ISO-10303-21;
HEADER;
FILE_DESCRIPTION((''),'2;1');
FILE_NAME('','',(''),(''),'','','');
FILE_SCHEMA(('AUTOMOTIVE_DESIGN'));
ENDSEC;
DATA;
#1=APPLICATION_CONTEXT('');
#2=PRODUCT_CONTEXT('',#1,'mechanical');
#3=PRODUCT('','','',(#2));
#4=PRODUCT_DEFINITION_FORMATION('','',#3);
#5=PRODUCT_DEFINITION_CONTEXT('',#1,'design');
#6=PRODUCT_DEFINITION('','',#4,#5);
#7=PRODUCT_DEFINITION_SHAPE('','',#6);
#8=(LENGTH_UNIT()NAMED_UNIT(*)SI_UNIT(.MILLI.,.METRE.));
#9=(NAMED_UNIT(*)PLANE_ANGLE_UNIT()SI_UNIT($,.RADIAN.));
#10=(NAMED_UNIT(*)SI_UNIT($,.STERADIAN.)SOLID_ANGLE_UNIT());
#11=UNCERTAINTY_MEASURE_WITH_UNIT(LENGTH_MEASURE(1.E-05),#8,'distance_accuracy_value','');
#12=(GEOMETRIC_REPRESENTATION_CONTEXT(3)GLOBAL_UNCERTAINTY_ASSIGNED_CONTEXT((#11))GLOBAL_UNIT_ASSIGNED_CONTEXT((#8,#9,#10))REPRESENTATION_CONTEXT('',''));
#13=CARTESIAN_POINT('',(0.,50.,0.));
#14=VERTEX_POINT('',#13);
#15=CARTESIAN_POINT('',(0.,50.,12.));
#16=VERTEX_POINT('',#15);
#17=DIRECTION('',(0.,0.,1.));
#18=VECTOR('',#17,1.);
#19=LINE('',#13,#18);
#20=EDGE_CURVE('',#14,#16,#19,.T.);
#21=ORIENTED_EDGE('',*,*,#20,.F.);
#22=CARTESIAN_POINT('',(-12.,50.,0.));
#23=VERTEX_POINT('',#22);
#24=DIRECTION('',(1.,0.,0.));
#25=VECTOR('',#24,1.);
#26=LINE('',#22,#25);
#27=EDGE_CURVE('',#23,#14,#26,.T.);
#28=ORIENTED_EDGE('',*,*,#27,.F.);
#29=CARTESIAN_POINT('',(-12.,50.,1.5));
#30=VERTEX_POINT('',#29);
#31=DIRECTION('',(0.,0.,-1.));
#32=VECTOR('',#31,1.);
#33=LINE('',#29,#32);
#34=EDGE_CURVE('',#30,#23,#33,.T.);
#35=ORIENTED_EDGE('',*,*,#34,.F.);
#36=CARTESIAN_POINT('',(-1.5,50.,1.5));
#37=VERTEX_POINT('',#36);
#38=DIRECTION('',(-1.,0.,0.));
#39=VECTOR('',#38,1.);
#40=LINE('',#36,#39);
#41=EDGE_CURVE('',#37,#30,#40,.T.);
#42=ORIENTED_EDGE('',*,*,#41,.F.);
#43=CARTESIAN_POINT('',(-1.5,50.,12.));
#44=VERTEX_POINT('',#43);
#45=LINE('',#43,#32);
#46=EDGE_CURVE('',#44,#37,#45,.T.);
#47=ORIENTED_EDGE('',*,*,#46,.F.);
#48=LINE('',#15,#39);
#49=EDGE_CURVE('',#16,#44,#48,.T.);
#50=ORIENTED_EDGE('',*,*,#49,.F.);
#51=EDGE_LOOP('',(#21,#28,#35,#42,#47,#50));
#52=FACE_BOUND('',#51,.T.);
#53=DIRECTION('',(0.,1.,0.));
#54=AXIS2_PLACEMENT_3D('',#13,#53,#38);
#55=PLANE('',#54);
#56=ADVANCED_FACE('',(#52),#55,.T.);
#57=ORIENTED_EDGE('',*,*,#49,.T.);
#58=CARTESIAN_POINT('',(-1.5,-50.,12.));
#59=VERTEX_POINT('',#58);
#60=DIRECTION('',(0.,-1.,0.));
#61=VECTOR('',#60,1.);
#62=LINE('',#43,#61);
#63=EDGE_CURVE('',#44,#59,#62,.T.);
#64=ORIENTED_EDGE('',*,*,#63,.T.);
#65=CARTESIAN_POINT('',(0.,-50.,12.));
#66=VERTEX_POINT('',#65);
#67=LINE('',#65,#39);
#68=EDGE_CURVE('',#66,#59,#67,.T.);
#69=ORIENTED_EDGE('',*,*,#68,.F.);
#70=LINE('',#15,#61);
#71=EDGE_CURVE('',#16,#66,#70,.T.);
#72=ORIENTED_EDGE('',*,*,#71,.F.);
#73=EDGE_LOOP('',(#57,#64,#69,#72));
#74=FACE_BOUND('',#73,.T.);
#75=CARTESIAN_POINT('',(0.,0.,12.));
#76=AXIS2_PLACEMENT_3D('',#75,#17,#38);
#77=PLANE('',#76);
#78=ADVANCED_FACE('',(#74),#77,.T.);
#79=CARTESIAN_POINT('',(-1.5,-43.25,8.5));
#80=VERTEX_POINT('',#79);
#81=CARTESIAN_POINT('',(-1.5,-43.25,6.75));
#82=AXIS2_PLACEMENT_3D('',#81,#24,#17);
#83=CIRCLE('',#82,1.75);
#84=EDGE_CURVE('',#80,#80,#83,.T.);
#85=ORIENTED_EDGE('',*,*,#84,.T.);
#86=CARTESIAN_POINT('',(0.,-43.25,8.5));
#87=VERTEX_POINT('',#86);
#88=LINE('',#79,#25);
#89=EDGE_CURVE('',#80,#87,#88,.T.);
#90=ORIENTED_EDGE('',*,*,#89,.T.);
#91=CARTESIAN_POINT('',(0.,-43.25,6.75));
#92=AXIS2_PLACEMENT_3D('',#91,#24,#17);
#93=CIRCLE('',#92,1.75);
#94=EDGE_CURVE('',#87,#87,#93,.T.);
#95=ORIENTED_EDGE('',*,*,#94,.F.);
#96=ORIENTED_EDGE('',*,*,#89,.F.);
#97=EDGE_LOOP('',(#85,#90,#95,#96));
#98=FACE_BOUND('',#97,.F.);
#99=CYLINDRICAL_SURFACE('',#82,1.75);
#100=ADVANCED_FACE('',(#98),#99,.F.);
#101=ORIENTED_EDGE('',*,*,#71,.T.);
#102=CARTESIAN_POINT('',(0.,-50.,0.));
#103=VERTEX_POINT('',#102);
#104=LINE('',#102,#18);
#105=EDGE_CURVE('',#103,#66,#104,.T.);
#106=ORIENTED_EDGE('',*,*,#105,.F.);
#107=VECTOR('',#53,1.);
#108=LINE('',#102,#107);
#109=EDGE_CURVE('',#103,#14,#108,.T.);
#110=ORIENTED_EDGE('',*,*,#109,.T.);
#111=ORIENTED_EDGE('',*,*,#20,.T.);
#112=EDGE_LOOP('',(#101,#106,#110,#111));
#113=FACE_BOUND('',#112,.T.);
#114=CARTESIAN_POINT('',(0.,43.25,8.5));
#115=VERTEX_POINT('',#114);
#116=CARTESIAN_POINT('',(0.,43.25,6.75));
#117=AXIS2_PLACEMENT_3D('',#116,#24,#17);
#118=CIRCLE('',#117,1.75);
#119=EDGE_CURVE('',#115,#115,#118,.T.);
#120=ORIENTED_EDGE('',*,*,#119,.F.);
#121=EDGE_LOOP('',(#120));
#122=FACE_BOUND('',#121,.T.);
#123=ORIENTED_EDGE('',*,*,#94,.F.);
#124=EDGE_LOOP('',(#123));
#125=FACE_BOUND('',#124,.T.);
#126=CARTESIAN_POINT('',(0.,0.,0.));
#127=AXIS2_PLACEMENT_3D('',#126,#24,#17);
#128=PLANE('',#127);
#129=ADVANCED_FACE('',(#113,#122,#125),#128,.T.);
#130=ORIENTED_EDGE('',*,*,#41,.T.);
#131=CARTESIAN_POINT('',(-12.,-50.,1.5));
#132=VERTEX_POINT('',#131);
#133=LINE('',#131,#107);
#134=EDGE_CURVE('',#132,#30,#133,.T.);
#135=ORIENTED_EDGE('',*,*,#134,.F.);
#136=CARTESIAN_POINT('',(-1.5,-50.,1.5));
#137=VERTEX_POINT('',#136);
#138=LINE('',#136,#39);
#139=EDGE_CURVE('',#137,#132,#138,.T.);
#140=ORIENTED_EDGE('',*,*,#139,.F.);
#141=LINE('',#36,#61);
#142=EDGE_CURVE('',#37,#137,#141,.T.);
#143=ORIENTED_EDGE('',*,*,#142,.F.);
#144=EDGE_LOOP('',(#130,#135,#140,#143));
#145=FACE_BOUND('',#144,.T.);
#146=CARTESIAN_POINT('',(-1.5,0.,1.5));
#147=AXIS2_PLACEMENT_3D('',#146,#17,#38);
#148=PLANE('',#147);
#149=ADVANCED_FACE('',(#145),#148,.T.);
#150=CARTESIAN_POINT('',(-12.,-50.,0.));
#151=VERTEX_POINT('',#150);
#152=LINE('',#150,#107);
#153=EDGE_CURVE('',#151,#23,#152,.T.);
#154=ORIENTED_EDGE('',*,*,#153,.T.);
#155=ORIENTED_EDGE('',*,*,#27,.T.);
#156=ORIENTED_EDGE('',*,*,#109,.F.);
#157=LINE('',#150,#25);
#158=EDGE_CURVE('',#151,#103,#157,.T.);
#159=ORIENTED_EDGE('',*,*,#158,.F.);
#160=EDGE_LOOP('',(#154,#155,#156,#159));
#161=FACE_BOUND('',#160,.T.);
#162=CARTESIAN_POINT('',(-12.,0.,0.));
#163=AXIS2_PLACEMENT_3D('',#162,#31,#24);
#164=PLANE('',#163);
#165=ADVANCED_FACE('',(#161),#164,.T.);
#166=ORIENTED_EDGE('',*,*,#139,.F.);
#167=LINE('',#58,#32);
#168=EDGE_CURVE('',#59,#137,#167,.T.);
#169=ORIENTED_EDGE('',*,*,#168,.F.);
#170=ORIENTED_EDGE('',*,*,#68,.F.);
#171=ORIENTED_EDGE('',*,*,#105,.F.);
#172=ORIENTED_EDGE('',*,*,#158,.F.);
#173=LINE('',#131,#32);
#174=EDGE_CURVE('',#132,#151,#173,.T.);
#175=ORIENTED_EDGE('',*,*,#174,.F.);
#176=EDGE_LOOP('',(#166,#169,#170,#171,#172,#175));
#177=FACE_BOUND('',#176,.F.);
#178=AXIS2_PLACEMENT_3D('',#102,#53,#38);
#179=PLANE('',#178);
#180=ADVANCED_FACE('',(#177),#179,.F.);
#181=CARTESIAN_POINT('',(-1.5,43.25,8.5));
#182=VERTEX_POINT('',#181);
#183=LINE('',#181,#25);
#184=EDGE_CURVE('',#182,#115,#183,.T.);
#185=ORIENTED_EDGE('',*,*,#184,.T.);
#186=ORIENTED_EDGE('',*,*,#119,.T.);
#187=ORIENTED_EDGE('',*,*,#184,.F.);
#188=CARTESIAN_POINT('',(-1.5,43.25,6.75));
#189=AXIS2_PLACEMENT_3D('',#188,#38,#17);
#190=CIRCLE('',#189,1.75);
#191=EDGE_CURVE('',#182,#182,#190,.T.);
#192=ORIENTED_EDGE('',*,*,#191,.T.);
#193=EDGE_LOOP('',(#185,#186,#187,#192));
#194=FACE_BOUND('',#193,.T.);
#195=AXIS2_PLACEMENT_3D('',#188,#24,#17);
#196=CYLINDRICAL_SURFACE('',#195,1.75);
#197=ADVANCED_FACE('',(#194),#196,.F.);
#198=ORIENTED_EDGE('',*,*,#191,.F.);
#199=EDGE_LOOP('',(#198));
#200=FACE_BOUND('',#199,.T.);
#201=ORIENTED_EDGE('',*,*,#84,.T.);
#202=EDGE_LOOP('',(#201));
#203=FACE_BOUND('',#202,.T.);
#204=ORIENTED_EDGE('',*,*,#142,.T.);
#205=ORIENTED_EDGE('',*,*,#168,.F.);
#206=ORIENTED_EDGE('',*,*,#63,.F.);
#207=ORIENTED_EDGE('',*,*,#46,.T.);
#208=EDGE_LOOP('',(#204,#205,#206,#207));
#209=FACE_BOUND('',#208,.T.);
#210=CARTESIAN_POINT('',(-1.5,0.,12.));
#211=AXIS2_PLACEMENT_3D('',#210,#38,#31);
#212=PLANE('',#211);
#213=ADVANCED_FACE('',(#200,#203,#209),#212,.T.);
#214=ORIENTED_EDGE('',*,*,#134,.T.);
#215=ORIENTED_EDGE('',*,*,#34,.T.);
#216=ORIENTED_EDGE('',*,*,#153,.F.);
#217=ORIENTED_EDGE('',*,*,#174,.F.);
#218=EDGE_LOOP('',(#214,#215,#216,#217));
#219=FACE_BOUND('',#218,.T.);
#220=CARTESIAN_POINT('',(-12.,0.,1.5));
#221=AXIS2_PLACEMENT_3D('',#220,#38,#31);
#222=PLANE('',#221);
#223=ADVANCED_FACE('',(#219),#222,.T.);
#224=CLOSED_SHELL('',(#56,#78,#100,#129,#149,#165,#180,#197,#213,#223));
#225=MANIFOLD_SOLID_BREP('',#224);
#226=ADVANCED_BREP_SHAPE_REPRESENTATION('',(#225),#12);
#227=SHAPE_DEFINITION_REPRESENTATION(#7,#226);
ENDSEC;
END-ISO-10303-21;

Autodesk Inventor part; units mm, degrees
ref_plane "YZ Plane" through (0, 0, 0) normal (1, 0, 0) x (0, 1, 0)
ref_plane "XZ Plane" through (0, 0, 0) normal (0, 1, 0) x (-1, 0, 0)
ref_plane "XY Plane" through (0, 0, 0) normal (0, 0, 1) x (1, 0, 0)
sketch "Szkic1" plane through (0, 0, 0) normal (0, 1, 0) x (-1, 0, 0)
  line L0 (0, 0) -> (0, 12)
  line L1 (0, 12) -> (1.5, 12)
  line L2 (1.5, 12) -> (1.5, 1.5)
  line L3 (1.5, 1.5) -> (12, 1.5)
  line L4 (12, 1.5) -> (12, 0)
  line L5 (12, 0) -> (0, 0)
  dimension "d0" = 12
  dimension "d1" = 1.5
  dimension "d2" = 10.5
  dimension "d3" = 10.5
extrude "Wyciągnięcie proste1" add sketch "Szkic1" along normal mid plane 100
sketch "Szkic2" plane through (-1.5, -50, 12) normal (-1, 0, 0) x (0, 0, 1)
  line L0 (0, 100) -> (0, 0) projected
  line L1 (0, 0) -> (-10.5, 0) projected
  point P0 (-12, 50)
  point P1 (-5.25, 6.75)
  dimension "d6" = 6.75
  dimension "d7" = 5.25
hole "Otwór1" at (-1.5, -43.25, 6.75) direction (1, 0, 0) diameter 3.5 end through all
mirror "Odbij1" about plane through (0, 0, 0) normal (0, 1, 0) of "Otwór1"
properties part number "bepf_platforma_rama_lacznik_pionowy" material "Aluminium 6061"
